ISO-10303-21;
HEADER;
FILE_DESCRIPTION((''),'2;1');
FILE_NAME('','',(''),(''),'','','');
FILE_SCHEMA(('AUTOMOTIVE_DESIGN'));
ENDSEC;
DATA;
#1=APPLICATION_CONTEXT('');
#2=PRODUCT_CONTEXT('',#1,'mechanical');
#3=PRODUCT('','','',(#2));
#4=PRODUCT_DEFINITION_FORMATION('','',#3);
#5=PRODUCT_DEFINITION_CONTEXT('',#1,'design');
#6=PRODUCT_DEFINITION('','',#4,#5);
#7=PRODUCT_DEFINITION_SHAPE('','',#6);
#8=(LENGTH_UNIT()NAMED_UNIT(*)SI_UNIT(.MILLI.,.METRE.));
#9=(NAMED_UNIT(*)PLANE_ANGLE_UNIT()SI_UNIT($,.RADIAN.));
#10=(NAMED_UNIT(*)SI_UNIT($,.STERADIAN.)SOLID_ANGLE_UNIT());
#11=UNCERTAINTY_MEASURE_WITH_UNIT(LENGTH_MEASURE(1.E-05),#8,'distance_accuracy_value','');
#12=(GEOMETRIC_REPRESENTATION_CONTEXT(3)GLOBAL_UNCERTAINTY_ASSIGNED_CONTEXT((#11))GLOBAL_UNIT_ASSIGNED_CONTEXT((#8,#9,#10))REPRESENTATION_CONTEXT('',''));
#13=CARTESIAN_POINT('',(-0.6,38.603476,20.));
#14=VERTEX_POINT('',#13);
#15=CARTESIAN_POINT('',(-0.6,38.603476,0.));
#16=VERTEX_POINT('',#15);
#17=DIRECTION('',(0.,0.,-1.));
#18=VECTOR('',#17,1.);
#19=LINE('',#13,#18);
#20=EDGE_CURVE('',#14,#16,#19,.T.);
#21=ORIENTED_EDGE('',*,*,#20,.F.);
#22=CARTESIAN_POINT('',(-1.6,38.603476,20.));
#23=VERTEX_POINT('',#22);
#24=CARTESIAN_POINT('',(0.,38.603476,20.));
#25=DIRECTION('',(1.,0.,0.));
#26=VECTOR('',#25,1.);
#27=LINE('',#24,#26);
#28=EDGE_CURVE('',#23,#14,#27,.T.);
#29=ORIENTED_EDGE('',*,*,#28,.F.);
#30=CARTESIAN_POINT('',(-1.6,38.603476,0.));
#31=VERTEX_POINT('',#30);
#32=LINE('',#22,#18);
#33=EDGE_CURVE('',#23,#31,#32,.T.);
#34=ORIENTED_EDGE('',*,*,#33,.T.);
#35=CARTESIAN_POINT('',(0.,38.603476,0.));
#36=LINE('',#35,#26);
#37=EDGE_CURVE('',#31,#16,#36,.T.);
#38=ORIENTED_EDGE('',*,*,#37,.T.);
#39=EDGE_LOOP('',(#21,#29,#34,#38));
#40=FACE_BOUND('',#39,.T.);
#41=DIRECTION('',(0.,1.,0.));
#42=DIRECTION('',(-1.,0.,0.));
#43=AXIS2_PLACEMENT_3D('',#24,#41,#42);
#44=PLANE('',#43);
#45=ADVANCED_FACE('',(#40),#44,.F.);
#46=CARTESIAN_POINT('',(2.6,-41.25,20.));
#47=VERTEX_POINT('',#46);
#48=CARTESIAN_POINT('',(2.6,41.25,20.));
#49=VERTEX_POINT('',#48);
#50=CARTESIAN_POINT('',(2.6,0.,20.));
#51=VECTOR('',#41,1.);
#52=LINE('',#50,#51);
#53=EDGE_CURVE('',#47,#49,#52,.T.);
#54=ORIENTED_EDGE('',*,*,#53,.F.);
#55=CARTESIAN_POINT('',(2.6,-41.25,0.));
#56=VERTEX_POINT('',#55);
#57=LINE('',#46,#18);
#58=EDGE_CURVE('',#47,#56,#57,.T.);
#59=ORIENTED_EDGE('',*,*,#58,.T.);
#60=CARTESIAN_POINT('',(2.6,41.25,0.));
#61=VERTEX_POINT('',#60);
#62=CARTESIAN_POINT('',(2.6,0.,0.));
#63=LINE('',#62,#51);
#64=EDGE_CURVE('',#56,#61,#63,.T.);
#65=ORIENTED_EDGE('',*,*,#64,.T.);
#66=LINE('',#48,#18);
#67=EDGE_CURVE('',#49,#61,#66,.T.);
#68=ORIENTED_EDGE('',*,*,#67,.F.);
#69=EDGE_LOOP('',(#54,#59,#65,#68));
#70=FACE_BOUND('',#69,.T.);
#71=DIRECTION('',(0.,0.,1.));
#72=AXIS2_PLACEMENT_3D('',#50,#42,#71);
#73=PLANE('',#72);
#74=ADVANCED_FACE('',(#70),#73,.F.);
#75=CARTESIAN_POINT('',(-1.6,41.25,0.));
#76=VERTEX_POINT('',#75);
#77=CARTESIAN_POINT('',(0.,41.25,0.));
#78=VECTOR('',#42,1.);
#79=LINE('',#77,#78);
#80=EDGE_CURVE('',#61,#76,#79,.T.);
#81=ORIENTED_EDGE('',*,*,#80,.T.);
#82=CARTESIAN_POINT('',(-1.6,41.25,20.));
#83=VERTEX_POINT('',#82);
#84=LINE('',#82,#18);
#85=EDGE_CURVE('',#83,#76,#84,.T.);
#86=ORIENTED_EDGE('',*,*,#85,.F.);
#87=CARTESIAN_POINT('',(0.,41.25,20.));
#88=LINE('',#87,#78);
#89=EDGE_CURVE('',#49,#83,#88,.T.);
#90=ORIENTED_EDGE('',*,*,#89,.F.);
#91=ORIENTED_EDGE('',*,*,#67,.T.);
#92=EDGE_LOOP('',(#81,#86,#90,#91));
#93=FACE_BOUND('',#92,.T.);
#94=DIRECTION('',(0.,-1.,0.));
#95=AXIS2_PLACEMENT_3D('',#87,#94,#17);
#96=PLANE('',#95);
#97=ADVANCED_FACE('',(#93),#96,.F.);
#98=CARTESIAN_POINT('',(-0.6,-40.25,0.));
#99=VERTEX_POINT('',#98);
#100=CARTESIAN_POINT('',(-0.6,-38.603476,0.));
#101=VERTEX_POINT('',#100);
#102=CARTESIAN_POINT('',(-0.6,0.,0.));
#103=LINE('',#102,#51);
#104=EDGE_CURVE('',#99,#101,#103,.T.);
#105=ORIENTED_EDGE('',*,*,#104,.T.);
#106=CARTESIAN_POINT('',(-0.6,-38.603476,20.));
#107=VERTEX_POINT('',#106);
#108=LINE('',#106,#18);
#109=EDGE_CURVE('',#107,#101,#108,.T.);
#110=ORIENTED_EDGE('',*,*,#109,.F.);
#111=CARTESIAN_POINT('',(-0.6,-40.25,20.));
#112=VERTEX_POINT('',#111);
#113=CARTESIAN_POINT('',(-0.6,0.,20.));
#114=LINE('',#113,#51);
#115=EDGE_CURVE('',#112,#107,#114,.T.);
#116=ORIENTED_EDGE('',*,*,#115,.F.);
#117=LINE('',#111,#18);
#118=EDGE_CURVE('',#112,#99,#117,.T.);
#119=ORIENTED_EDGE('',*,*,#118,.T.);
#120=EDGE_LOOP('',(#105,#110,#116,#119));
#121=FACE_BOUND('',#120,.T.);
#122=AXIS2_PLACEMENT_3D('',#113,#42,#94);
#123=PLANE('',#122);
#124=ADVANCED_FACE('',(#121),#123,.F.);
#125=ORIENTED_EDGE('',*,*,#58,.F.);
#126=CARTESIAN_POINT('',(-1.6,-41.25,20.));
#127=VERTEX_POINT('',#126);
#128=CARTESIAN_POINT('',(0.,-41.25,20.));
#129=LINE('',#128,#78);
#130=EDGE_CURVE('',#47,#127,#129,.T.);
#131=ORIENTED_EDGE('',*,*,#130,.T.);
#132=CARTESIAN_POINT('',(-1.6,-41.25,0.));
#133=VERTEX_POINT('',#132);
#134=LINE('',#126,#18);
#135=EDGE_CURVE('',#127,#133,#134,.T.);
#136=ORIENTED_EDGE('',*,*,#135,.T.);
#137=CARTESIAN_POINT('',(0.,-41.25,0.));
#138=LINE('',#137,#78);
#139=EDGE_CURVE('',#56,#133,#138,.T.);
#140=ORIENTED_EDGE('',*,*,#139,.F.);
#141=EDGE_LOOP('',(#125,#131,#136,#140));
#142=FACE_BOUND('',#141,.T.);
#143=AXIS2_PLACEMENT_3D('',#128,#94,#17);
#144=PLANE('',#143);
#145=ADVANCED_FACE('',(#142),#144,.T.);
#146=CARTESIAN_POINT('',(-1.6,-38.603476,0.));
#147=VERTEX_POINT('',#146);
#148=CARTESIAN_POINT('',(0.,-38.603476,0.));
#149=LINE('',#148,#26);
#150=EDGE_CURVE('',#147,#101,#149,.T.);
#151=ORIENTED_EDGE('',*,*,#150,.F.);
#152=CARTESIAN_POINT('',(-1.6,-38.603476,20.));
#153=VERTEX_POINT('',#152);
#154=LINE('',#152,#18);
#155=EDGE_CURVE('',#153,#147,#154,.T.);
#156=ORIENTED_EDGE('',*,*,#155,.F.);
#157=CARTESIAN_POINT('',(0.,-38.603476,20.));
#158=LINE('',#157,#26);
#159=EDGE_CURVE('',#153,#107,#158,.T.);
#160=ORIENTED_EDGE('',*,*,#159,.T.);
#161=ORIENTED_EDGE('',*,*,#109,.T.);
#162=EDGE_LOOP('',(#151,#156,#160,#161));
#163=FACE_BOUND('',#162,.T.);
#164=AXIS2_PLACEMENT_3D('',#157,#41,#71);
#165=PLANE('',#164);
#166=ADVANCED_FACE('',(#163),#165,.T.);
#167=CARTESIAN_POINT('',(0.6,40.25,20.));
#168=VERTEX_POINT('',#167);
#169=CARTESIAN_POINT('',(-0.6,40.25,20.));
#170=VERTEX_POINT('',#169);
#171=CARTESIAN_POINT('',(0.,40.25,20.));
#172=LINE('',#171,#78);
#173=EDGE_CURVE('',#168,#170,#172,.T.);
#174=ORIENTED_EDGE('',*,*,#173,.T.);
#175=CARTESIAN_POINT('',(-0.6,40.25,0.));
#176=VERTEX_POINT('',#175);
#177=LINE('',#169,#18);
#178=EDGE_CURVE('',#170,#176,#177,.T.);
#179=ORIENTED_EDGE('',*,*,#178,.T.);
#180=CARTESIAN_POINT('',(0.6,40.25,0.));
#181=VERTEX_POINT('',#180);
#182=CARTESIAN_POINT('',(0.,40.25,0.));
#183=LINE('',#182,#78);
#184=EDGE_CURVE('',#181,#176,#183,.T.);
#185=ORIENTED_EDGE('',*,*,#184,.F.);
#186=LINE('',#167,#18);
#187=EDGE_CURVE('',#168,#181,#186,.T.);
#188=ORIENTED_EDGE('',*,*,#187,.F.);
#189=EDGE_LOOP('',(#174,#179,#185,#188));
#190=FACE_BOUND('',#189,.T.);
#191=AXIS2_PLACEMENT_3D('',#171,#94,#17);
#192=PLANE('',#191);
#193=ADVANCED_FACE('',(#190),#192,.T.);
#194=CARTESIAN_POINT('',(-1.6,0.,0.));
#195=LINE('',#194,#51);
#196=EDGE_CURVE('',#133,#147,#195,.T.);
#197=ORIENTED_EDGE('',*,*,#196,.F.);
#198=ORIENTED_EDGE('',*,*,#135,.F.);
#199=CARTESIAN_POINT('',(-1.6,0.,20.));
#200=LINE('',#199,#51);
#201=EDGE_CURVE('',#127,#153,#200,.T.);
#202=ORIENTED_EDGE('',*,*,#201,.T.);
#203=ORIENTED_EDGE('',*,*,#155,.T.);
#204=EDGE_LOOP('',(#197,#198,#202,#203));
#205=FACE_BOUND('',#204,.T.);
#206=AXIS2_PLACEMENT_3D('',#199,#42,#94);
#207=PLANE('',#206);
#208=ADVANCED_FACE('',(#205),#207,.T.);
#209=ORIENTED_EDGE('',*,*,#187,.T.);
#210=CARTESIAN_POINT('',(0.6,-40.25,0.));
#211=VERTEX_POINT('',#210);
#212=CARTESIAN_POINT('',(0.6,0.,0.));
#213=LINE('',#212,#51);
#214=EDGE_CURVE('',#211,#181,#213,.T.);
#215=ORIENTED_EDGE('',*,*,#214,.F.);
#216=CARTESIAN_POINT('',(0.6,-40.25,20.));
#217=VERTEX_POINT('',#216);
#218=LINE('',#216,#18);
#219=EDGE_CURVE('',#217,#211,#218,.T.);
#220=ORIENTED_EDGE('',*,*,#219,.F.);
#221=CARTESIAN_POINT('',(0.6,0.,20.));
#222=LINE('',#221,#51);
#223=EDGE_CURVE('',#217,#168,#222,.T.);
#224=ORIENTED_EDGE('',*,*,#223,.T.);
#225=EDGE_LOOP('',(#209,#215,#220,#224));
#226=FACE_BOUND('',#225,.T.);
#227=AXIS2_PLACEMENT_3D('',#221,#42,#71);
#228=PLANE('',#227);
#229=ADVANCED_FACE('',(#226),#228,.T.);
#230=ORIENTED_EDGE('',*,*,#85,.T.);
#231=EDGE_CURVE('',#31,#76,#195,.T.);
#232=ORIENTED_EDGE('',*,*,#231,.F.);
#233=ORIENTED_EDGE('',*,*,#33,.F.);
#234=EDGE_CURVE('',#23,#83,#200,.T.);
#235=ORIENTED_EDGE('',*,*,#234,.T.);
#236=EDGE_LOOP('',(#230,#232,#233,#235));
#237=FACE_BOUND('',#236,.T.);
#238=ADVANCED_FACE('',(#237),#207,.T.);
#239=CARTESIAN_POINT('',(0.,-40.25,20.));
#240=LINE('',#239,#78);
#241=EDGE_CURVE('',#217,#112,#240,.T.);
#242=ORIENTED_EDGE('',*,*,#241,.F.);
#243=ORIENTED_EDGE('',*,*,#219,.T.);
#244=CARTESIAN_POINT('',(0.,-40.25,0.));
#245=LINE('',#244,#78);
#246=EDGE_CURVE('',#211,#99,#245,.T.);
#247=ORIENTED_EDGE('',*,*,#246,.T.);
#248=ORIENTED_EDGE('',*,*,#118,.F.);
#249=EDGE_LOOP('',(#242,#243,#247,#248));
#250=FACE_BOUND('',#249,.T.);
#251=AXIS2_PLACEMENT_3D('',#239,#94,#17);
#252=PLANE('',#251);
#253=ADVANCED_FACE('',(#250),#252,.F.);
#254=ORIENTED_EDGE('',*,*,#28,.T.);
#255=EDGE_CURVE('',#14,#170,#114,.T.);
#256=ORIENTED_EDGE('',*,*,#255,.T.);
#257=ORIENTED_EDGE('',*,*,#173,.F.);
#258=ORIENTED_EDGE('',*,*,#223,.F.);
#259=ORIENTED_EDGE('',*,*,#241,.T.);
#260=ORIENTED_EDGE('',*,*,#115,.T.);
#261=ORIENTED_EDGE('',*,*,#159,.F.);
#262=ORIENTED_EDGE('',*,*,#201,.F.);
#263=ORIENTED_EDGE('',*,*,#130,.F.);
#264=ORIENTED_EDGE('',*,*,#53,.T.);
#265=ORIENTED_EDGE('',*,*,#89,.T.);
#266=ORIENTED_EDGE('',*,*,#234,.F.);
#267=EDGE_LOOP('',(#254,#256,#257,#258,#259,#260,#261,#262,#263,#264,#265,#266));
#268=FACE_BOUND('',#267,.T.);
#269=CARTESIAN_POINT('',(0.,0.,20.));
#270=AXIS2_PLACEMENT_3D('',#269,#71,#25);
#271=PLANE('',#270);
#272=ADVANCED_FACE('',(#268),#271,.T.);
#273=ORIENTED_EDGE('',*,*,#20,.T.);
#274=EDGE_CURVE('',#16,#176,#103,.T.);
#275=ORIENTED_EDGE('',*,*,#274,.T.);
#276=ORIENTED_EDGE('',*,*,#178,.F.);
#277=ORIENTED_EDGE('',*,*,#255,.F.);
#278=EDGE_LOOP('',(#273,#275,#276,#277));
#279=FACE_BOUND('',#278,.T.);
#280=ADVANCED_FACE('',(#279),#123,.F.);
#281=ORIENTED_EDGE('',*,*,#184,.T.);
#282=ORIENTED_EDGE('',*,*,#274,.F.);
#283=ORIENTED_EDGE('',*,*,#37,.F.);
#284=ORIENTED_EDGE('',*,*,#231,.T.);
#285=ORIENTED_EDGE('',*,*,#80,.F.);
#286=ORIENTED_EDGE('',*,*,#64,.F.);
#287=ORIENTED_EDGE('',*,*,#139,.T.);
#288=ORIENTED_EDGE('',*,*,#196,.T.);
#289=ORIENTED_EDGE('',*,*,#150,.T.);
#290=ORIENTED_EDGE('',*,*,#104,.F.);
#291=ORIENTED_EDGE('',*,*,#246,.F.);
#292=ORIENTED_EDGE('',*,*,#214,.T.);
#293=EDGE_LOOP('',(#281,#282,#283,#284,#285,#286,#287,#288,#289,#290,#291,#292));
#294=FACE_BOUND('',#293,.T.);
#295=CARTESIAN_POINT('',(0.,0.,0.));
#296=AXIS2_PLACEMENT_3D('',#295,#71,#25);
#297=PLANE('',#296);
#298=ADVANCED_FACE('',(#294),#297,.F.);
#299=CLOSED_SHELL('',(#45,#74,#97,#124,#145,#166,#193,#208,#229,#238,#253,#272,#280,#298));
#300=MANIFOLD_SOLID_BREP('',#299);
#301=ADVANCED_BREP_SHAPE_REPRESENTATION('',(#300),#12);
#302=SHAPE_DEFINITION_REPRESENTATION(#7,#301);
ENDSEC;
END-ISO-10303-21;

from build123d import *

# Parameters (mm, degrees)
BOSS_EXTRUDE1_DEPTH = 20


with BuildPart() as part:
    # Sketch1 → Boss-Extrude1 (new body)
    with BuildSketch(Plane(origin=(0, 0, 0), x_dir=(0, 1, 0), z_dir=(0, 0, 1))):
        Polygon((-38.603475532, 1.6), (-41.25, 1.6), (-41.25, -2.6), (41.25, -2.6), (41.25, 1.6), (38.603475532, 1.6), (38.603475532, 0.6), (40.25, 0.6), (40.25, -0.6), (-38.603475532, -0.6), (-40.25, -0.6), (-40.25, 0.6), (-38.603475532, 0.6), align=None)
    extrude(amount=BOSS_EXTRUDE1_DEPTH)


solid = part.part
